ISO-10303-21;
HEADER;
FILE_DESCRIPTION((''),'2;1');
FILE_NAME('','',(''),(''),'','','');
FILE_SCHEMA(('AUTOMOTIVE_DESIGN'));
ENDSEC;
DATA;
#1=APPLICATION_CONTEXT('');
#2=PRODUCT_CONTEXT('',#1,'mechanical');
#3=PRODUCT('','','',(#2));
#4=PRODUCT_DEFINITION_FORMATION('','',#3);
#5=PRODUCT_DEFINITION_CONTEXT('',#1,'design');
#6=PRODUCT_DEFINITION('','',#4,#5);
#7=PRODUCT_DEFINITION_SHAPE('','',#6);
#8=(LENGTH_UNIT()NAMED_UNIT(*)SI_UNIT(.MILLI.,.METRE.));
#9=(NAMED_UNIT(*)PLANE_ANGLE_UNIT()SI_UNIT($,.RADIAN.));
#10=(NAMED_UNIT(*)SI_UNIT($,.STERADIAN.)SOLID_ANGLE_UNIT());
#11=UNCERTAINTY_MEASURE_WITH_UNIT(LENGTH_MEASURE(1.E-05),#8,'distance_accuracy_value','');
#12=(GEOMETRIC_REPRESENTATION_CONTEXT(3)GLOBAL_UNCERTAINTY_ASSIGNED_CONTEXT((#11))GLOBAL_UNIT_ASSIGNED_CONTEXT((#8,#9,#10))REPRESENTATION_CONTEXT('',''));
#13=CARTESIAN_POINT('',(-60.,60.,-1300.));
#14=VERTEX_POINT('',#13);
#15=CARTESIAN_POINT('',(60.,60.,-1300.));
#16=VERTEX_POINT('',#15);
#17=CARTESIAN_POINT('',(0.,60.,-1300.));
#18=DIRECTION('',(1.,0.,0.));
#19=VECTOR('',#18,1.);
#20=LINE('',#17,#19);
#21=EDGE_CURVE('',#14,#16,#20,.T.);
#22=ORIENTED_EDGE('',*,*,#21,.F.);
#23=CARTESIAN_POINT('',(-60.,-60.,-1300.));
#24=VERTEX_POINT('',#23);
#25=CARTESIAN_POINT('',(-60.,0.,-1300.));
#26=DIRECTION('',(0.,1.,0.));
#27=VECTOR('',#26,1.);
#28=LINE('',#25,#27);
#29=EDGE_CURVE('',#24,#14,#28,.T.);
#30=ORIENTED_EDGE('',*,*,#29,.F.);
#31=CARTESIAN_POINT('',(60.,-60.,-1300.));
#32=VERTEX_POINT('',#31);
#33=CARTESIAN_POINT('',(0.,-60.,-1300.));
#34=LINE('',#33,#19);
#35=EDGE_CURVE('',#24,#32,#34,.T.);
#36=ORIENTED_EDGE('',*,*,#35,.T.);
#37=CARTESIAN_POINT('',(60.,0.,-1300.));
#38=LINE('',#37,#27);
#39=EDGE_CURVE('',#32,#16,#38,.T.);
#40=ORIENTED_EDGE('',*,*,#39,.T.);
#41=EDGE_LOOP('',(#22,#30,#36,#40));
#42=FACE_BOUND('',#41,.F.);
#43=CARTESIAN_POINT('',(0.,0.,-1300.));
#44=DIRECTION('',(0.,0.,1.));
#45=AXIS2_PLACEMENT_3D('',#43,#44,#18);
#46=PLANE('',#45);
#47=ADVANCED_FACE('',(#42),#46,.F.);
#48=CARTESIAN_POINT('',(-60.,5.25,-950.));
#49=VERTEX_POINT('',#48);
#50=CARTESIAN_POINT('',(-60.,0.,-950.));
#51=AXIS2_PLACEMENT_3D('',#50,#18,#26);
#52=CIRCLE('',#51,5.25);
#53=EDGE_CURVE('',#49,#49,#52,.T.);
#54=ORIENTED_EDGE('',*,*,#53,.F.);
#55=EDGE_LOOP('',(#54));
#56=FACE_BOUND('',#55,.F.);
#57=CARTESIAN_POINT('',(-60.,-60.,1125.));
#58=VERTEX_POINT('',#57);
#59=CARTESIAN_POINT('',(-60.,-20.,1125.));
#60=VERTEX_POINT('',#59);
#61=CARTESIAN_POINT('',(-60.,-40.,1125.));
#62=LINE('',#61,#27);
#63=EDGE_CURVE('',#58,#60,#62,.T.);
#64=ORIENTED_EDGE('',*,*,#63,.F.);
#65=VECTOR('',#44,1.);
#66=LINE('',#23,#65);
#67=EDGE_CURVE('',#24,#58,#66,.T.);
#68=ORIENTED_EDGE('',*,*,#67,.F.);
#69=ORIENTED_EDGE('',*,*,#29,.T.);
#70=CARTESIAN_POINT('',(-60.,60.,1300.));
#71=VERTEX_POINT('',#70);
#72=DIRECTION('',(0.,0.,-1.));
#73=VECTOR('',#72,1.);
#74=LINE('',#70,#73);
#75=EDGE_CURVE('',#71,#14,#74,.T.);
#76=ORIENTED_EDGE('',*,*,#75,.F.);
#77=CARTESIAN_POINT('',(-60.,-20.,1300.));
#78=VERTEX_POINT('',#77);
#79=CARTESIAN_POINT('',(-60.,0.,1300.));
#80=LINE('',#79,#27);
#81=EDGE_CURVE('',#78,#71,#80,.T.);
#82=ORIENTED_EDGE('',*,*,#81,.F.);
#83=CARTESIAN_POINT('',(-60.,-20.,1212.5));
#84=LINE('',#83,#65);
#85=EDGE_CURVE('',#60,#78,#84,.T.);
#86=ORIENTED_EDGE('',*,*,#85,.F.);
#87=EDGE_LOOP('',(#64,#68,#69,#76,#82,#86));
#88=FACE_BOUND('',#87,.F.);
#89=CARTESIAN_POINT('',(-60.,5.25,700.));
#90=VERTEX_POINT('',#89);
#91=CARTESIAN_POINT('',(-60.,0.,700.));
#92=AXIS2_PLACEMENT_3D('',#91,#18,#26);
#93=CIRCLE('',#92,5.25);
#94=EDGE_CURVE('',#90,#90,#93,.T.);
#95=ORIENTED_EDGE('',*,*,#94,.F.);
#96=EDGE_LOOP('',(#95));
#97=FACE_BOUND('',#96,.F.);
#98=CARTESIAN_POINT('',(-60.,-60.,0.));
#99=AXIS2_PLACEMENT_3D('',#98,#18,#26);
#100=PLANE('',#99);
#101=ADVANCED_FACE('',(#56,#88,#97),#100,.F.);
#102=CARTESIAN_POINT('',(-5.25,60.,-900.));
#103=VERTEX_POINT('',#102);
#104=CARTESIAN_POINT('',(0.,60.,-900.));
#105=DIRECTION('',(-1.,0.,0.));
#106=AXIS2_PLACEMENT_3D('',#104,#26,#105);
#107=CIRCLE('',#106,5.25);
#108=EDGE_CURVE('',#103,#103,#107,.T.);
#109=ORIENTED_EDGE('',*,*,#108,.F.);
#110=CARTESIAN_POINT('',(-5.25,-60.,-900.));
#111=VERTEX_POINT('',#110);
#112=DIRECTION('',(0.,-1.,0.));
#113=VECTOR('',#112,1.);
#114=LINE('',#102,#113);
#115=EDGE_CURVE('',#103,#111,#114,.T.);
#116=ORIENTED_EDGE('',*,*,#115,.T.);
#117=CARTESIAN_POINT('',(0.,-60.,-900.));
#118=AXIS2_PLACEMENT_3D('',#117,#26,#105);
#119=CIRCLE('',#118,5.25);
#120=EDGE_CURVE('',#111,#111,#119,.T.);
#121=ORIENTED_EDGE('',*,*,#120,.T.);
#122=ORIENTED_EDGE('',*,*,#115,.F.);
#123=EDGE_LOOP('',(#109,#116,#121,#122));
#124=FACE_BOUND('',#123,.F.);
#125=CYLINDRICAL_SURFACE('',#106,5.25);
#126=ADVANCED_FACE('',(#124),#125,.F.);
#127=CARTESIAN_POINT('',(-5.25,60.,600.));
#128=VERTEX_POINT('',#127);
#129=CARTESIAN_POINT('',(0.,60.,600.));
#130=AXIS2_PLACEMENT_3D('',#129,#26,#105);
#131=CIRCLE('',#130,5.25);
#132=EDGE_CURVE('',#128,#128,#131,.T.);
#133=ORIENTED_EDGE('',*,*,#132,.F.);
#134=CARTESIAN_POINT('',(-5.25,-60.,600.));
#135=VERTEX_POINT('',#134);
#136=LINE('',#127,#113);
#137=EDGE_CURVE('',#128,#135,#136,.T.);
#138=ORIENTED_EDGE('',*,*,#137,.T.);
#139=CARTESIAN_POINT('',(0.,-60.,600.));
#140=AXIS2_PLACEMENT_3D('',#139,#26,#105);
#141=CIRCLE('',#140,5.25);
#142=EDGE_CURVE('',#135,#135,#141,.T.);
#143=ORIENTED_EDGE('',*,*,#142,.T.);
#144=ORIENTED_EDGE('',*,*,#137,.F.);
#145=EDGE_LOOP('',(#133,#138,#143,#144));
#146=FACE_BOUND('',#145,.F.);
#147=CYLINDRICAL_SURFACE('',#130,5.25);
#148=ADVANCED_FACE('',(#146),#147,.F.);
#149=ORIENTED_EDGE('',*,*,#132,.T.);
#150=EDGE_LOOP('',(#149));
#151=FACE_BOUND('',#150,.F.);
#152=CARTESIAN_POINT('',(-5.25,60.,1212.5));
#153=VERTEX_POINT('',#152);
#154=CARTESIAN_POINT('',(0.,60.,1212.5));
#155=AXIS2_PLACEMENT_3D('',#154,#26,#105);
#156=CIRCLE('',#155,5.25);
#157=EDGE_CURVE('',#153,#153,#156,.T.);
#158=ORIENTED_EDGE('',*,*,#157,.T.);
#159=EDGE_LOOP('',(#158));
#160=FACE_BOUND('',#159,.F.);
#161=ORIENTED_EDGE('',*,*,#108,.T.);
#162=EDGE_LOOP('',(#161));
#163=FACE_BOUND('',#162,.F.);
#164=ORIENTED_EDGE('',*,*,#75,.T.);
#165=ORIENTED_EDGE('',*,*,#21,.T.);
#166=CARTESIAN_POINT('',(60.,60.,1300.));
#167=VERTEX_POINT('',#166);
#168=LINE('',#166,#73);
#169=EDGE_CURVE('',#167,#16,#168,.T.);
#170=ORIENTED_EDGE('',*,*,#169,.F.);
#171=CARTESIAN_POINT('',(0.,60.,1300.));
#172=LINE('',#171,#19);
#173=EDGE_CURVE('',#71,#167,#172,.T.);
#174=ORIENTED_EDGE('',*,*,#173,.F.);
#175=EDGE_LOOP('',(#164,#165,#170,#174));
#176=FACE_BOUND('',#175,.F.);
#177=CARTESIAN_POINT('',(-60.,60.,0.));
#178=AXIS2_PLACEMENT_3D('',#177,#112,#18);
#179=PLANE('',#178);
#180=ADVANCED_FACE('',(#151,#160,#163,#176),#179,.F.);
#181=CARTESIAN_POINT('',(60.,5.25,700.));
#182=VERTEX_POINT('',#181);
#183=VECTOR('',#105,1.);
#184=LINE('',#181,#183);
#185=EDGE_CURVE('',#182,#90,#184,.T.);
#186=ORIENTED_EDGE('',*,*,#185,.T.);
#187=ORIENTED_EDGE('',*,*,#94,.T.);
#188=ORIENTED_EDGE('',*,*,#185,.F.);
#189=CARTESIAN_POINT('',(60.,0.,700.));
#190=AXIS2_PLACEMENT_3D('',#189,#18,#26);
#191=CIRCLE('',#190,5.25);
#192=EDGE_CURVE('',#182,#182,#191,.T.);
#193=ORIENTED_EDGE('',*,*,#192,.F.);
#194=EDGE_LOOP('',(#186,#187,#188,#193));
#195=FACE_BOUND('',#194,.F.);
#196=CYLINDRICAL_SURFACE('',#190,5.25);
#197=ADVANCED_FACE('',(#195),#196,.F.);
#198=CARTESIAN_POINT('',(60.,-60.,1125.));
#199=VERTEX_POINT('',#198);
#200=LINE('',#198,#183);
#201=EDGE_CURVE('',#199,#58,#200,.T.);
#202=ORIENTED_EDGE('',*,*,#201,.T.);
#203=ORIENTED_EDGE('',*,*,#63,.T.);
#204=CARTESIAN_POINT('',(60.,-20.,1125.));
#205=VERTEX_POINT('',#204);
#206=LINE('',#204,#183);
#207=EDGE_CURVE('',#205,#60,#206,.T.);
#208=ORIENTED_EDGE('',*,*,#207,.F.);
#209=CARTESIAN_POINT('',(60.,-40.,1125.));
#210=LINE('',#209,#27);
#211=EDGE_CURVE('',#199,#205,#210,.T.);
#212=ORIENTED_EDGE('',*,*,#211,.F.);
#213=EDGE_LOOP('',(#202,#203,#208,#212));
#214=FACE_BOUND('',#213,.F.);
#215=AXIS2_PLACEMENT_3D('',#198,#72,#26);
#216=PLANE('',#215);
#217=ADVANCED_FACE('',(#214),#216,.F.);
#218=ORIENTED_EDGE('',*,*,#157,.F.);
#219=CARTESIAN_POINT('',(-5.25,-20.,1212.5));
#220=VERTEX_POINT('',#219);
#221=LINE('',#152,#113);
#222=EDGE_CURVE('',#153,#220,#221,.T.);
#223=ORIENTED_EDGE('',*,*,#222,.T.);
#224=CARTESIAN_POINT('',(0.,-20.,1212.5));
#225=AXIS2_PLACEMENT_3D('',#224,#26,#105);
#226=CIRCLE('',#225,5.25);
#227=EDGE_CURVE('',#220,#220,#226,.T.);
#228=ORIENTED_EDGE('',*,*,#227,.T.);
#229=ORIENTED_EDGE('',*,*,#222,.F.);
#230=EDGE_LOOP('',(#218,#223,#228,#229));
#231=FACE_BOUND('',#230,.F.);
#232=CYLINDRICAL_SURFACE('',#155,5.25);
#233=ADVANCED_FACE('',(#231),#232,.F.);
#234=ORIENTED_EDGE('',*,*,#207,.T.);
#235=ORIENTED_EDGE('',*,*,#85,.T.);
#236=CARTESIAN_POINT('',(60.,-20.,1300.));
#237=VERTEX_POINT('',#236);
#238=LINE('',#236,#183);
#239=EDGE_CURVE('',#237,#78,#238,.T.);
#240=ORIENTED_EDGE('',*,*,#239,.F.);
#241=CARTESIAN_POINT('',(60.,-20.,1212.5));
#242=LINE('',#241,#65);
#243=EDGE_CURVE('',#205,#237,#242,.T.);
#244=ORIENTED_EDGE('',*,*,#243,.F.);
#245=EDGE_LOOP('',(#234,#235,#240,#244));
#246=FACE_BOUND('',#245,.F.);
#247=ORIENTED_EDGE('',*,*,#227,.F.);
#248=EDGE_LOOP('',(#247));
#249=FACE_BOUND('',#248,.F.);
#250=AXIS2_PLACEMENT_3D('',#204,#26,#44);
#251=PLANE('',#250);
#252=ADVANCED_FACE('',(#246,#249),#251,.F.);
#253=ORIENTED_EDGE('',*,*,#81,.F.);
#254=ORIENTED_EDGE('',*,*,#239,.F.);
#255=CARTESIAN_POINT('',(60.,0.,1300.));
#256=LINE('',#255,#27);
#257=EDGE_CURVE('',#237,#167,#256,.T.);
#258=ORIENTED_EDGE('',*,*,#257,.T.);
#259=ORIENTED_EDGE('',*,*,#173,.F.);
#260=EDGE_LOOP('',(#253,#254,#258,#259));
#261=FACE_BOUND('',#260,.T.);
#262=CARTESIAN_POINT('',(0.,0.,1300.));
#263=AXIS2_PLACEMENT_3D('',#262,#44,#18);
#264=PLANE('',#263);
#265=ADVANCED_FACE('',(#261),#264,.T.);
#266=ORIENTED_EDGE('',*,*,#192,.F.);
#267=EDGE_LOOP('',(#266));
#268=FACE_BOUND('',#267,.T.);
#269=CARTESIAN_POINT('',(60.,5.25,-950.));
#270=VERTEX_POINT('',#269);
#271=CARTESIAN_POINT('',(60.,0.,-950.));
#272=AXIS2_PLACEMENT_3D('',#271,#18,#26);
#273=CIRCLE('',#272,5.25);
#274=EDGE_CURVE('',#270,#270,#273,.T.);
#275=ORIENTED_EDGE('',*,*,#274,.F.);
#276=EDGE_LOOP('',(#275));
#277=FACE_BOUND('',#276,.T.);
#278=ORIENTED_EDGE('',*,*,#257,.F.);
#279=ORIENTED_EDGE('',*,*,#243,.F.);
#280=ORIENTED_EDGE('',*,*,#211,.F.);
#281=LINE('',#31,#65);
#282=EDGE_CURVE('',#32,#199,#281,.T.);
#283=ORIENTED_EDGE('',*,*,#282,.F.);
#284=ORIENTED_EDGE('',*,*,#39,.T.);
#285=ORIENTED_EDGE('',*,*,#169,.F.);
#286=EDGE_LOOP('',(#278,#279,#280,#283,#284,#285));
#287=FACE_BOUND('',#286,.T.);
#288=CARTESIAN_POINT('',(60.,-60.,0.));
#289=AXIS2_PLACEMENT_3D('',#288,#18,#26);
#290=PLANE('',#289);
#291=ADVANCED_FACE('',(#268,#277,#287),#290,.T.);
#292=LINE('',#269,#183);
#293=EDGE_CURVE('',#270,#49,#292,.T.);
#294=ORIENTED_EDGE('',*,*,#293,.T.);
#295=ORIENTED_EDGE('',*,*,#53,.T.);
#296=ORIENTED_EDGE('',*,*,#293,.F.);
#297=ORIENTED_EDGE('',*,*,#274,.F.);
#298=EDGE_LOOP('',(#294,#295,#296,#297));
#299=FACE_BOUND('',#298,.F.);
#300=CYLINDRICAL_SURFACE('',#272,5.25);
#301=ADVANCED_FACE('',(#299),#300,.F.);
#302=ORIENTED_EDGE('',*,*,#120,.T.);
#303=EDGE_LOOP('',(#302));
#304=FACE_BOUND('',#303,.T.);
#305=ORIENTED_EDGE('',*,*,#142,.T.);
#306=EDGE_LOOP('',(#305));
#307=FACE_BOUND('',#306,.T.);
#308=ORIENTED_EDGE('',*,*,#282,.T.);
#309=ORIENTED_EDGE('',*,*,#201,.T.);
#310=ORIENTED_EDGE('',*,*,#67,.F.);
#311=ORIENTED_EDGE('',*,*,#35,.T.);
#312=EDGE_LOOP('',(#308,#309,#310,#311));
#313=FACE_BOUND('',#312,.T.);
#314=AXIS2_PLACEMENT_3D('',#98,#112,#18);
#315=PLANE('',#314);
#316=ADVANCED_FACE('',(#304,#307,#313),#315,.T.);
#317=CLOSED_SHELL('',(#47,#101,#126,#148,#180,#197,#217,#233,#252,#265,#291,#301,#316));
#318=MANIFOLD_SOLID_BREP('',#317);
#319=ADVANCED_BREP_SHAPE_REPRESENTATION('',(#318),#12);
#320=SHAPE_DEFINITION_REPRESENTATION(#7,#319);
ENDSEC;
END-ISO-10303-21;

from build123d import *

# Parameters (mm, degrees)
F0_W     = 120
F0_H     = 120
F1_DEPTH = 1300
F2_W     = 40
F2_H     = 175
F3_DEPTH = 120
F4_R     = 5.25
F5_DEPTH = 120.001
F6_R     = 5.25
F7_DEPTH = 120.001


with BuildPart() as f1:
    # F0 (on Top) → F1 (new body, symmetric)
    with BuildSketch(Plane.XY):
        Rectangle(F0_W, F0_H)
    extrude(amount=F1_DEPTH, both=True)

    # F2 (on face) → F3 (cut, through all)
    with BuildSketch(Plane.YZ.offset(60)):
        with Locations((-40, 1212.5)):
            Rectangle(F2_W, F2_H)
    extrude(amount=-F3_DEPTH, mode=Mode.SUBTRACT)

    # F4 (on face) → F5 (cut, through all)
    with BuildSketch(Plane(origin=(0, 60, 0), x_dir=(-1, 0, 0), z_dir=(0, 1, 0))):
        with Locations((0, 1212.5)):
            Circle(F4_R)
        with Locations((0, -900)):
            Circle(F4_R)
        with Locations((0, 600)):
            Circle(F4_R)
    extrude(amount=-F5_DEPTH, mode=Mode.SUBTRACT)

    # F6 (on face) → F7 (cut, through all)
    with BuildSketch(Plane.YZ.offset(60)):
        with Locations((0, -950)):
            Circle(F6_R)
        with Locations((0, 700)):
            Circle(F6_R)
    extrude(amount=-F7_DEPTH, mode=Mode.SUBTRACT)


solid = f1.part
